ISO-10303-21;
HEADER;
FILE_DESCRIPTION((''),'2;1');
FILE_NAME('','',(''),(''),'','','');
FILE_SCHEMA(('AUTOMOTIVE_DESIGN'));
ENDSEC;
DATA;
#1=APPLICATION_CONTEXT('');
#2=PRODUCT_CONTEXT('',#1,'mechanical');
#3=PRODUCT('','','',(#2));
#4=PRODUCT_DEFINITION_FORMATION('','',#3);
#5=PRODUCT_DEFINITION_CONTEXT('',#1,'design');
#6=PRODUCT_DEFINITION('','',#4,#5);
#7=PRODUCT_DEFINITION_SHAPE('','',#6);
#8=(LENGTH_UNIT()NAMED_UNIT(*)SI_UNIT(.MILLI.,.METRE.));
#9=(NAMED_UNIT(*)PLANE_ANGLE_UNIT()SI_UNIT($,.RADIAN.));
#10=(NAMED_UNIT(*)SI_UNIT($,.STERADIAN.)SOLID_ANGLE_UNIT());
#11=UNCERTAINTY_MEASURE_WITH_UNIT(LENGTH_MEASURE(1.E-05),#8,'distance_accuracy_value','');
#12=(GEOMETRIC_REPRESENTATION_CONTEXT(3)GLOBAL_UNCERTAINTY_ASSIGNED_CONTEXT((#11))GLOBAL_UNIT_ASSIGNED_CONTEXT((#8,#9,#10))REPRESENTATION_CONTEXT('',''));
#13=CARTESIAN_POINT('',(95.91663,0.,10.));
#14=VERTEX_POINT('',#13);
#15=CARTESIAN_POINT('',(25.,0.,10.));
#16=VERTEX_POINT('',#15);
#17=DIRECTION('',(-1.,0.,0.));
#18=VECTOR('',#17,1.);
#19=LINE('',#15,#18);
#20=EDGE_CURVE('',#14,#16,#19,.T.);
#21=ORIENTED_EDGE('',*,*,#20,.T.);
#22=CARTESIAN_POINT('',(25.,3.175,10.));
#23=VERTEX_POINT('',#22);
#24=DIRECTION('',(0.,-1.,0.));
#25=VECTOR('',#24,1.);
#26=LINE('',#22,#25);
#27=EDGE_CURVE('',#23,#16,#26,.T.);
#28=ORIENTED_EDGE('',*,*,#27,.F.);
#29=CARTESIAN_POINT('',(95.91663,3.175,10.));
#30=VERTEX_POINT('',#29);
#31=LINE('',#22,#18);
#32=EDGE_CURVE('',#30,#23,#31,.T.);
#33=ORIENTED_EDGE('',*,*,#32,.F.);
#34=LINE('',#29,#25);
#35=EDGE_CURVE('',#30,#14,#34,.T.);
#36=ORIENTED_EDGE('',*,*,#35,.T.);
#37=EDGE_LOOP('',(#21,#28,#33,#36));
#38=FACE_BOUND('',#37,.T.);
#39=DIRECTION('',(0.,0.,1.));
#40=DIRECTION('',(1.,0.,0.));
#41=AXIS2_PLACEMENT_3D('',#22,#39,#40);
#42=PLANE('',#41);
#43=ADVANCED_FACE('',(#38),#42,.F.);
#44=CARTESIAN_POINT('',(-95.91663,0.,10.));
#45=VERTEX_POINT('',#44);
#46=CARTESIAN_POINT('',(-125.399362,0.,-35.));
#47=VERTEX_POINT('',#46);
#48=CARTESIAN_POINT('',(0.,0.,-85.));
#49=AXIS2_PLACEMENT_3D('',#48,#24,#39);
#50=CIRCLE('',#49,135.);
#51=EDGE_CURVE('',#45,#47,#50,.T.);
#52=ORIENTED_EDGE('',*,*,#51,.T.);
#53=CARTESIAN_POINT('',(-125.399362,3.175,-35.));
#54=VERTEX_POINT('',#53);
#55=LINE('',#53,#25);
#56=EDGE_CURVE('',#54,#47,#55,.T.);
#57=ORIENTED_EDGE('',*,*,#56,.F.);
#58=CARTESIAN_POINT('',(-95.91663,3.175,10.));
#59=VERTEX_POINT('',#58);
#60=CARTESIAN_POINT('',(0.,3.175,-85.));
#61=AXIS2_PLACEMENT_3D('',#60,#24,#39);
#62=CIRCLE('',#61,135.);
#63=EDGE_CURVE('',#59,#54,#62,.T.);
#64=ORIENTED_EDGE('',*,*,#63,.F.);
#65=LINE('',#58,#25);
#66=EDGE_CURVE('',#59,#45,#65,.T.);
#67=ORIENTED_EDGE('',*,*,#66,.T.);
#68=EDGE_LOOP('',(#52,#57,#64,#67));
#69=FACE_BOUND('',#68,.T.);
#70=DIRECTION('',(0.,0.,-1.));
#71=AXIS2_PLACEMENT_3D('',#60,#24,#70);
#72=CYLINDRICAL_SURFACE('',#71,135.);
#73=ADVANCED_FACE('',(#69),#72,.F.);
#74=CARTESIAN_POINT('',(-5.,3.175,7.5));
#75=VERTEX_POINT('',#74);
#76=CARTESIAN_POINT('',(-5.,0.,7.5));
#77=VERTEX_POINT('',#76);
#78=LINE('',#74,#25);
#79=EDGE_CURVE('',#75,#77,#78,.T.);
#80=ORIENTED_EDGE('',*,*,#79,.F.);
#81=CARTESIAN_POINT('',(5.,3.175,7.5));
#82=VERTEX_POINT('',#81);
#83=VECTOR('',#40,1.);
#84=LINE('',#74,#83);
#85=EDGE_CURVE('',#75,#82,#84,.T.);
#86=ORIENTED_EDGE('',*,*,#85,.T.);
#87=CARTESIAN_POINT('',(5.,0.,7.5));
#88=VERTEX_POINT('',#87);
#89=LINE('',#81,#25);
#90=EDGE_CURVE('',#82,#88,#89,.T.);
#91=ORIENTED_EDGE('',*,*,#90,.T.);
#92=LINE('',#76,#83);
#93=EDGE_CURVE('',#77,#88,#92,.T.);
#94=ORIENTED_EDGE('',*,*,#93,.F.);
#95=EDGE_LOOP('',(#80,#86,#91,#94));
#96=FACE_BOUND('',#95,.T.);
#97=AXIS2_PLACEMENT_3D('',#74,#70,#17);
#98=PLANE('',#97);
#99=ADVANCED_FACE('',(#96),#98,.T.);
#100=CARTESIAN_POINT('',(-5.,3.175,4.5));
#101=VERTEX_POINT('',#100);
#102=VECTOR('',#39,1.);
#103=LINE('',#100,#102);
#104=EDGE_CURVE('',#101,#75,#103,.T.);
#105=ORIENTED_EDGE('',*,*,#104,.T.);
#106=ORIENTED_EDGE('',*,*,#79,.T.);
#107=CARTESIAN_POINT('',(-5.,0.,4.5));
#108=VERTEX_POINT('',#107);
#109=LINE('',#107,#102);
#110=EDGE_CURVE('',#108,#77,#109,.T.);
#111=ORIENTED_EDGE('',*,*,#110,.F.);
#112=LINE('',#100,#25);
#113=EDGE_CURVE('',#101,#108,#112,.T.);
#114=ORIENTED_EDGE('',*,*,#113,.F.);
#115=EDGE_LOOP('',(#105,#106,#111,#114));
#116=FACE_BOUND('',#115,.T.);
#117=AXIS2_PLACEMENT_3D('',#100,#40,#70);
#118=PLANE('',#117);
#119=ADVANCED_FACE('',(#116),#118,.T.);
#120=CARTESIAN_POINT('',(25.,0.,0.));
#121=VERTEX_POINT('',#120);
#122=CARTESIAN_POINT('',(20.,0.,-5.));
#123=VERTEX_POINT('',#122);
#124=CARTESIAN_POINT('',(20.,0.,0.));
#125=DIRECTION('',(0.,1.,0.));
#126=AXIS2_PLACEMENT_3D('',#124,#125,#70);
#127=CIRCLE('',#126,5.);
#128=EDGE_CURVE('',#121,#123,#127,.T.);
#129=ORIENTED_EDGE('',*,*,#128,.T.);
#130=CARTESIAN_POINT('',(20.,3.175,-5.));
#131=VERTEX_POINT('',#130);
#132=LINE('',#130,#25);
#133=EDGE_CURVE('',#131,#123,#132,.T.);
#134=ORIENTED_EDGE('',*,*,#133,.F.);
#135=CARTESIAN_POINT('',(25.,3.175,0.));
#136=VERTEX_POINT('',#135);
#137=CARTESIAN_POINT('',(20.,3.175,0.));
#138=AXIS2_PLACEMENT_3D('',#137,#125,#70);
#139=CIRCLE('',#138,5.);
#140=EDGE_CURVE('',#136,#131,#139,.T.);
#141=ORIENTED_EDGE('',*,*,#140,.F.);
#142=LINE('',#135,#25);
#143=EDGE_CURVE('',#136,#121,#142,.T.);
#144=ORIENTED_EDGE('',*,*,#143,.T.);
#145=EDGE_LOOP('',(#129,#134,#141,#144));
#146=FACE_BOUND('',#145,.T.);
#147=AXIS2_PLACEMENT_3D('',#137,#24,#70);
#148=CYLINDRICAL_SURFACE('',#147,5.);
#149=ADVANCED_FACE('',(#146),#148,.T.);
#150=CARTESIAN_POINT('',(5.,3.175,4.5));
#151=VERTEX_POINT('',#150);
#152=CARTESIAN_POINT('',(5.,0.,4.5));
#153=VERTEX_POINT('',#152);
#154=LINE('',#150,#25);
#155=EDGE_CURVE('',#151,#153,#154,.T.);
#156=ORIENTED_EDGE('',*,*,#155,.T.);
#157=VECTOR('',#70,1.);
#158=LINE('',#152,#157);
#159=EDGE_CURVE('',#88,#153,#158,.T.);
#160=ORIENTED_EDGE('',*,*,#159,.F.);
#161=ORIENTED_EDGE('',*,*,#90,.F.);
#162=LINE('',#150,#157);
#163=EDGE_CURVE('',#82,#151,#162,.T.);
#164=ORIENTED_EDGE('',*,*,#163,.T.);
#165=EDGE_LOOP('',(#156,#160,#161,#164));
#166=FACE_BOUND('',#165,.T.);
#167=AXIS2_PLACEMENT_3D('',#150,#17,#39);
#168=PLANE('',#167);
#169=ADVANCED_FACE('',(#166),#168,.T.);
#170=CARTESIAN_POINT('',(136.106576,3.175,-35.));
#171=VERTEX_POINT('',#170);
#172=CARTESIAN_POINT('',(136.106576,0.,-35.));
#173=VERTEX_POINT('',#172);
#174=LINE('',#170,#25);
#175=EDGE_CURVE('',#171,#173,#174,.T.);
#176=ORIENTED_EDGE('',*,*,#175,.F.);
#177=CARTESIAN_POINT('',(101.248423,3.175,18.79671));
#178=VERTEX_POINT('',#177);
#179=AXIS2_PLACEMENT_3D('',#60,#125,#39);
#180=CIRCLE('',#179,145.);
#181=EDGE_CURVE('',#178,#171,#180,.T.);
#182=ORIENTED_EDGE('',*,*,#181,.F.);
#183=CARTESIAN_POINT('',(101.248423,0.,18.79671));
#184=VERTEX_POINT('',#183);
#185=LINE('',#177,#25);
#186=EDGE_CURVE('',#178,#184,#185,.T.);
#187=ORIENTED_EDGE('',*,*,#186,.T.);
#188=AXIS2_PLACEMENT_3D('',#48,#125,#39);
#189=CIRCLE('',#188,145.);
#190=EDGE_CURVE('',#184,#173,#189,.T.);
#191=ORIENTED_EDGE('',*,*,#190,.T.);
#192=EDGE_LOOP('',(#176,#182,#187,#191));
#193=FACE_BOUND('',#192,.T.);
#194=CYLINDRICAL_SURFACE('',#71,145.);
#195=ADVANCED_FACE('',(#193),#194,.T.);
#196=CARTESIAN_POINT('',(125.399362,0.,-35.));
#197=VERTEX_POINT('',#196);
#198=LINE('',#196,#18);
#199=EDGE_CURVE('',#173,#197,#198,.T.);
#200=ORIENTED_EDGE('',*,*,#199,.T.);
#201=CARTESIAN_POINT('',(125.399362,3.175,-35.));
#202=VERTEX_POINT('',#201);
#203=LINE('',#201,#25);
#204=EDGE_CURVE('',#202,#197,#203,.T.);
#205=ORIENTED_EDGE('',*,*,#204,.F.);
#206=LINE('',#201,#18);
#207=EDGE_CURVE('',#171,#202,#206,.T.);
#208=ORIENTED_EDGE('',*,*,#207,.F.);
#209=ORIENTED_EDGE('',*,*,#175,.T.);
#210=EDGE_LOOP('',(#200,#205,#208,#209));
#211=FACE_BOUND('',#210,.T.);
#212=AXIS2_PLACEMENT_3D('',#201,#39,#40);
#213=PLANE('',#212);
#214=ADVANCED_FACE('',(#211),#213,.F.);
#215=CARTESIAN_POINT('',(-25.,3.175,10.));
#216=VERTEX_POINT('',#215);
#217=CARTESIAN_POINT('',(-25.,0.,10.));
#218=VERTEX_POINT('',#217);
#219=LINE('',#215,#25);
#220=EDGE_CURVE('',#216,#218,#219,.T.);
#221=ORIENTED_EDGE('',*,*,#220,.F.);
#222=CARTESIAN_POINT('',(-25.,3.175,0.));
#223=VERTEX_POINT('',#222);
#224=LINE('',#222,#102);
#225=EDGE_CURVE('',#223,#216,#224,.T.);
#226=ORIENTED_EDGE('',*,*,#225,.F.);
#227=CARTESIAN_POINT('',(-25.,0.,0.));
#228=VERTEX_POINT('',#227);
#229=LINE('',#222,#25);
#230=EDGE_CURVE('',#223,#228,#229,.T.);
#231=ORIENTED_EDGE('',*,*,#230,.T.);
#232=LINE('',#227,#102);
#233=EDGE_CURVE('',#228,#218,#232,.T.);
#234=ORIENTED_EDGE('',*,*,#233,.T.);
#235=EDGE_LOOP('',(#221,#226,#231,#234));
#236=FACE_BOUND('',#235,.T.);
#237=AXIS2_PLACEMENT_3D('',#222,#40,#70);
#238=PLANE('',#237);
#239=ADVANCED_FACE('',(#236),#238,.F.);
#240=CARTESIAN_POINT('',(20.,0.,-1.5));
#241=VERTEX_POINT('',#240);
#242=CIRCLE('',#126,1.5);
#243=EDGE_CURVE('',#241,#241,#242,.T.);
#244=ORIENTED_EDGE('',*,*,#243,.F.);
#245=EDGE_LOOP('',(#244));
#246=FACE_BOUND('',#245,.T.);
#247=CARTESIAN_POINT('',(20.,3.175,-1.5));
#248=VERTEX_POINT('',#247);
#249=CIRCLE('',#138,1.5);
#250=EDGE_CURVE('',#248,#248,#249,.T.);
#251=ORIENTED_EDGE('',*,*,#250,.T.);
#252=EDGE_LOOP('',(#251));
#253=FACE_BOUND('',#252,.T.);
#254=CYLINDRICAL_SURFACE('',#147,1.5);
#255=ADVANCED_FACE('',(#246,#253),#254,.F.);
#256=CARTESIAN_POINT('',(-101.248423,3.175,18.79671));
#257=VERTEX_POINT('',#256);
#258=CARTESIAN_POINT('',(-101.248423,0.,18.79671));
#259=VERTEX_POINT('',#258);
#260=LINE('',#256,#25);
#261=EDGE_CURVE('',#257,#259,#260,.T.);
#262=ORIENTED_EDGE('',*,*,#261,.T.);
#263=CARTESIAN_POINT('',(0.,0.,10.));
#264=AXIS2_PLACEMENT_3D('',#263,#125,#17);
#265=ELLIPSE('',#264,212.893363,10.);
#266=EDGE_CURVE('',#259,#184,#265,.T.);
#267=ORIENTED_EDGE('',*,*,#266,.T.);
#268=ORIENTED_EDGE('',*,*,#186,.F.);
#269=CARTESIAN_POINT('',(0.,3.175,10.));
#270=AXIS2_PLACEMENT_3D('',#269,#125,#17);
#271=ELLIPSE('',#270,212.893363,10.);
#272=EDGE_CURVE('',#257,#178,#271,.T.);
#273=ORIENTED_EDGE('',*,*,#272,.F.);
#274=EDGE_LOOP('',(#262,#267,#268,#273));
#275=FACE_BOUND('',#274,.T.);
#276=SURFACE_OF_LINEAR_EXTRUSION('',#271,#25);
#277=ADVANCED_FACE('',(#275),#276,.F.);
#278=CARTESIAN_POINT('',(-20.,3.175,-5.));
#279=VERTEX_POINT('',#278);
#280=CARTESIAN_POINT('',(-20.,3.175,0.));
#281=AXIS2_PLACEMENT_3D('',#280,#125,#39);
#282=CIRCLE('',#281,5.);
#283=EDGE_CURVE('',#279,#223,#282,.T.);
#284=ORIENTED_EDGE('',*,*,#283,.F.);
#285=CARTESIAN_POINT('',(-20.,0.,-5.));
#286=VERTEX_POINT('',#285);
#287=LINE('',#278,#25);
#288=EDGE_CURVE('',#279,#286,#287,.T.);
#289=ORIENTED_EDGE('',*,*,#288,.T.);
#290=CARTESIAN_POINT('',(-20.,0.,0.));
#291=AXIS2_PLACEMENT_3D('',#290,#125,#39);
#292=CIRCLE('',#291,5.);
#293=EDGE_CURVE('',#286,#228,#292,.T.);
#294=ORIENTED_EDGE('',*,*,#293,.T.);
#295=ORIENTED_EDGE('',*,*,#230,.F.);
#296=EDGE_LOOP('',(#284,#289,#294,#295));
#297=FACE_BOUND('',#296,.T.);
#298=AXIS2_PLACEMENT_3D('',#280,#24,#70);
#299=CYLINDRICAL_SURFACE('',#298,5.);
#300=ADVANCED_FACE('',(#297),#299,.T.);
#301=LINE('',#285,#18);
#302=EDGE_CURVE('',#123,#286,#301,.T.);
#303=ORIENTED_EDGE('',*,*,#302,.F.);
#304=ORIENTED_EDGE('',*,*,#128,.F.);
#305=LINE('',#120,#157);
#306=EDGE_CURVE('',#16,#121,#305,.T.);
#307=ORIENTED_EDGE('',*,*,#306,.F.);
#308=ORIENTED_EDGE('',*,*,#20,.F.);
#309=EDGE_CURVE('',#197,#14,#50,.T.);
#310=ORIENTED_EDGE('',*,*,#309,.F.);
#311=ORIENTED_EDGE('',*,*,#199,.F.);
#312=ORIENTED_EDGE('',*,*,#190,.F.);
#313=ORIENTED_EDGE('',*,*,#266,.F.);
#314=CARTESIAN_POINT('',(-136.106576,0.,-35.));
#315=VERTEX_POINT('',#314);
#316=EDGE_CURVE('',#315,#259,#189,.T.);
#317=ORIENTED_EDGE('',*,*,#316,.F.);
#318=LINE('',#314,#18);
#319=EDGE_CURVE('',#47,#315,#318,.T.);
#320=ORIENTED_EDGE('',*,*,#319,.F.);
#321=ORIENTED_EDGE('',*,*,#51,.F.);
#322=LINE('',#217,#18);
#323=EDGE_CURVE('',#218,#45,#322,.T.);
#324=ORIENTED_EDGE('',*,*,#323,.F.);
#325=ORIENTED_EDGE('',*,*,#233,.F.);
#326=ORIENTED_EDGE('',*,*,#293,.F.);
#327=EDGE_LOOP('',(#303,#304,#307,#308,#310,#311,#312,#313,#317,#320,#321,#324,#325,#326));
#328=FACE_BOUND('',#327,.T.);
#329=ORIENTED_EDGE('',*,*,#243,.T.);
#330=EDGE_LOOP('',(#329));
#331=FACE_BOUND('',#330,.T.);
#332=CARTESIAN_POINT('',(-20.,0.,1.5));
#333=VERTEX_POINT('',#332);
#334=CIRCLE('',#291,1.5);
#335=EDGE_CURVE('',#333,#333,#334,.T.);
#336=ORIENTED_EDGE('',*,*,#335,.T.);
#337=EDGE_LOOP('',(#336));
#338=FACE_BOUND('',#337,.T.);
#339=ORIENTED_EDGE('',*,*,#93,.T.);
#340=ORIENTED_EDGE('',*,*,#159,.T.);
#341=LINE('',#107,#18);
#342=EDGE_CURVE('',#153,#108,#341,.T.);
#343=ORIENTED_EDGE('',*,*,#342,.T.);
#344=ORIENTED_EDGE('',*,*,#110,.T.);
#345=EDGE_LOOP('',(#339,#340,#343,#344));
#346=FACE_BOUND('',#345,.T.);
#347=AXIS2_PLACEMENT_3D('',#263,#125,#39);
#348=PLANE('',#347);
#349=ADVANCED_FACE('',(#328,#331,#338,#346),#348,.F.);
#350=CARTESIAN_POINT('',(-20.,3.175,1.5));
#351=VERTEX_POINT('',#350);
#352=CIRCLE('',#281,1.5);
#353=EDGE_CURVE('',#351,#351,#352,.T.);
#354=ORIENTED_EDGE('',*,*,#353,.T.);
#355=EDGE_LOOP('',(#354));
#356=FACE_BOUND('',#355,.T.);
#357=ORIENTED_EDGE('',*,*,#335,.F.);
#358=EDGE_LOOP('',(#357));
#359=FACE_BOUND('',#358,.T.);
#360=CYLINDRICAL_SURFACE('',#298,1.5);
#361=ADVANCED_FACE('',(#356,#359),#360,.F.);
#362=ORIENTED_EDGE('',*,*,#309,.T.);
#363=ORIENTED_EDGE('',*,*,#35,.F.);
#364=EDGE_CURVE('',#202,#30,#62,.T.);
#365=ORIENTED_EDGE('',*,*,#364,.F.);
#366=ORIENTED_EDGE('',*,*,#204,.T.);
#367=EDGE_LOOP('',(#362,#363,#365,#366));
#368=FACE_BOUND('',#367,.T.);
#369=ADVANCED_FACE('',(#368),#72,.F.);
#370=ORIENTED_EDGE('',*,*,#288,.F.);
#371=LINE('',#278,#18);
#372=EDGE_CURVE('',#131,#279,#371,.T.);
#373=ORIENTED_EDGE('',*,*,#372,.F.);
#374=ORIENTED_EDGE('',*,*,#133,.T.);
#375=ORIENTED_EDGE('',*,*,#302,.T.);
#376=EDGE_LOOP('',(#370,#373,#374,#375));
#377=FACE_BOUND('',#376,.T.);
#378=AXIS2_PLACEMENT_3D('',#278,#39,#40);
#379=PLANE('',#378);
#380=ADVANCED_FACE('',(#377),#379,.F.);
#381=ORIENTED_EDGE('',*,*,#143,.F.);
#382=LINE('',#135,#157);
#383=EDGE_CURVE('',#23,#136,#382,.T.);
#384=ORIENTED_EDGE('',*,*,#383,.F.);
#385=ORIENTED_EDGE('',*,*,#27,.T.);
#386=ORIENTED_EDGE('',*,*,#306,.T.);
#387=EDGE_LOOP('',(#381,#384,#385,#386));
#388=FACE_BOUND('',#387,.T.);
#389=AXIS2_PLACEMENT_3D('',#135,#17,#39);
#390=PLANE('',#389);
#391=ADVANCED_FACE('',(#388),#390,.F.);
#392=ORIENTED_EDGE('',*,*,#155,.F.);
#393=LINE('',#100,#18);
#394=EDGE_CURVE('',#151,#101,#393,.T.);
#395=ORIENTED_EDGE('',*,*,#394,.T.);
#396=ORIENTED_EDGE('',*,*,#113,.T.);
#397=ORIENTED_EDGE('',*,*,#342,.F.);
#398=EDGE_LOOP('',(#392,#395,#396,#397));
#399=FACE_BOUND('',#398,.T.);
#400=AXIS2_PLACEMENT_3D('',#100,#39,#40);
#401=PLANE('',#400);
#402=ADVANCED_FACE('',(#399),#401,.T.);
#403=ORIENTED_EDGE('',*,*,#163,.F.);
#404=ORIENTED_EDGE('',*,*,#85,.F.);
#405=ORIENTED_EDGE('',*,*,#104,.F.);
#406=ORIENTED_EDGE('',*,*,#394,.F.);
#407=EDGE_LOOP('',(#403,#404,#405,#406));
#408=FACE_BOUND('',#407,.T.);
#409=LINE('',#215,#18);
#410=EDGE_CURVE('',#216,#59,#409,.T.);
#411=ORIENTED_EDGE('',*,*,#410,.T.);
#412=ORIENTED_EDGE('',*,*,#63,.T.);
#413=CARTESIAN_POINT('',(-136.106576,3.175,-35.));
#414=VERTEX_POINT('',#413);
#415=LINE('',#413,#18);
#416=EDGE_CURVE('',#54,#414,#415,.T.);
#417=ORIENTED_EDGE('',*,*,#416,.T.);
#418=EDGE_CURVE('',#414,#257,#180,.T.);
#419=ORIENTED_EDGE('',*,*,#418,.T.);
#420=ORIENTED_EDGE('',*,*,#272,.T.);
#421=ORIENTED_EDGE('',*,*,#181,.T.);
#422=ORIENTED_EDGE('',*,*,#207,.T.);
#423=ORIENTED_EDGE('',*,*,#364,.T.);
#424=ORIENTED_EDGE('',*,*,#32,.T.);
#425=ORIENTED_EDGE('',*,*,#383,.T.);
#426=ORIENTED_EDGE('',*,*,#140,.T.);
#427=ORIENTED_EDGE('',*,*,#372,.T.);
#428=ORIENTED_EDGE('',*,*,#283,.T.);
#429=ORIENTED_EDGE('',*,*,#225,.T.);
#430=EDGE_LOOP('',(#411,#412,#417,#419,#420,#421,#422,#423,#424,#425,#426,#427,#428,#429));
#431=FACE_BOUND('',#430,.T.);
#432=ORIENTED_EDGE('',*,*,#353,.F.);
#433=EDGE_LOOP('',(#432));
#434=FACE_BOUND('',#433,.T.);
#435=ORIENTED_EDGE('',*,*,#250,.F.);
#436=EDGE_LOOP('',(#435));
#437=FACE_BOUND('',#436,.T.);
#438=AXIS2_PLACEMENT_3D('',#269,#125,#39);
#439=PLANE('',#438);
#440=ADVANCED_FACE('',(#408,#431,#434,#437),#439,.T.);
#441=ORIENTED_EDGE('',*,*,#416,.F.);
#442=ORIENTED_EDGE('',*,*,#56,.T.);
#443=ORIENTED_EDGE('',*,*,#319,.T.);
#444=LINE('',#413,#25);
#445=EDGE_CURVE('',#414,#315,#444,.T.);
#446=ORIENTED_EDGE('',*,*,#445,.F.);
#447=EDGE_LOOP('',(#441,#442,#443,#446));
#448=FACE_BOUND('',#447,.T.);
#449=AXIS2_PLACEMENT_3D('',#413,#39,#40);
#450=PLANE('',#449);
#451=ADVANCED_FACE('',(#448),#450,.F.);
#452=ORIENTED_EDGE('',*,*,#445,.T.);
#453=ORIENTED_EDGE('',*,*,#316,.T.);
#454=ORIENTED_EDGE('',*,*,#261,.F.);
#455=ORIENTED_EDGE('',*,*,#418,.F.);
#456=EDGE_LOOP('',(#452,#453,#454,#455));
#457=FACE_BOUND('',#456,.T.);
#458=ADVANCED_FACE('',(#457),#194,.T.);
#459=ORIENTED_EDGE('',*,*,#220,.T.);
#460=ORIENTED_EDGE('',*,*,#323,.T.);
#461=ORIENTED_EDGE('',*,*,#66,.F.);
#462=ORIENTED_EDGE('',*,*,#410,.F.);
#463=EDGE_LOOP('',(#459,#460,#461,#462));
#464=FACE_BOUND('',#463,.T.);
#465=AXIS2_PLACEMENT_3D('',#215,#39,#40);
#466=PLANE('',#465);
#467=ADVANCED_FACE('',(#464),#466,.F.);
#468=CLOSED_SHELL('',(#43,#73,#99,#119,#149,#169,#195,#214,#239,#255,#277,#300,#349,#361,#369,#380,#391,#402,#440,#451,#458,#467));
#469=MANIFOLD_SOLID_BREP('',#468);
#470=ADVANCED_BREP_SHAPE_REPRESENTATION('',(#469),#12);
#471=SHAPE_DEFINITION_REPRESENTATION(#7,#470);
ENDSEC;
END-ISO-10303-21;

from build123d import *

# Parameters (mm, degrees)
SKETCH_1_R      = 1.5
SKETCH_1_W      = 10
SKETCH_1_H      = 3
EXTRUDE_1_DEPTH = 3.175


with BuildPart() as part:
    # 草图1 → 凸台-拉伸1 (new body)
    with BuildSketch(Plane(origin=(0, 0, 0), x_dir=(1, 0, 0), z_dir=(0, 1, 0))):
        with BuildLine():
            Line((-25, -10), (-95.916630466, -10))
            ThreePointArc((-95.916630466, -10), (-112.922283606, 11.016502751), (-125.39936204, 35))
            Line((-125.39936204, 35), (-136.106575888, 35))
            ThreePointArc((-136.106575888, 35), (-121.687593109, 6.15122269), (-101.248422592, -18.796709594))
            add(Edge.make_bspline(
                [(-101.248422592, -18.796709594), (0, -21.367886927), (101.248422592, -18.796709594)],
                knots=[1.075169889, 1.075169889, 1.075169889, 2.066422765, 2.066422765, 2.066422765], degree=2, weights=[1, 0.879670959, 1]))
            ThreePointArc((101.248422592, -18.796709594), (121.687593109, 6.15122269), (136.106575888, 35))
            Line((136.106575888, 35), (125.39936204, 35))
            ThreePointArc((125.39936204, 35), (112.922283606, 11.016502751), (95.916630466, -10))
            Line((95.916630466, -10), (25, -10))
            Line((25, -10), (25, 0))
            ThreePointArc((25, 0), (23.535533906, 3.535533906), (20, 5))
            Line((20, 5), (-20, 5))
            ThreePointArc((-20, 5), (-23.535533906, 3.535533906), (-25, 0))
            Line((-25, 0), (-25, -10))
        make_face()
        with Locations((-20, 0)):
            Circle(SKETCH_1_R, mode=Mode.SUBTRACT)
        with Locations((20, 0)):
            Circle(SKETCH_1_R, mode=Mode.SUBTRACT)
        with Locations((0, -6)):
            Rectangle(SKETCH_1_W, SKETCH_1_H, mode=Mode.SUBTRACT)
    extrude(amount=EXTRUDE_1_DEPTH)


solid = part.part
